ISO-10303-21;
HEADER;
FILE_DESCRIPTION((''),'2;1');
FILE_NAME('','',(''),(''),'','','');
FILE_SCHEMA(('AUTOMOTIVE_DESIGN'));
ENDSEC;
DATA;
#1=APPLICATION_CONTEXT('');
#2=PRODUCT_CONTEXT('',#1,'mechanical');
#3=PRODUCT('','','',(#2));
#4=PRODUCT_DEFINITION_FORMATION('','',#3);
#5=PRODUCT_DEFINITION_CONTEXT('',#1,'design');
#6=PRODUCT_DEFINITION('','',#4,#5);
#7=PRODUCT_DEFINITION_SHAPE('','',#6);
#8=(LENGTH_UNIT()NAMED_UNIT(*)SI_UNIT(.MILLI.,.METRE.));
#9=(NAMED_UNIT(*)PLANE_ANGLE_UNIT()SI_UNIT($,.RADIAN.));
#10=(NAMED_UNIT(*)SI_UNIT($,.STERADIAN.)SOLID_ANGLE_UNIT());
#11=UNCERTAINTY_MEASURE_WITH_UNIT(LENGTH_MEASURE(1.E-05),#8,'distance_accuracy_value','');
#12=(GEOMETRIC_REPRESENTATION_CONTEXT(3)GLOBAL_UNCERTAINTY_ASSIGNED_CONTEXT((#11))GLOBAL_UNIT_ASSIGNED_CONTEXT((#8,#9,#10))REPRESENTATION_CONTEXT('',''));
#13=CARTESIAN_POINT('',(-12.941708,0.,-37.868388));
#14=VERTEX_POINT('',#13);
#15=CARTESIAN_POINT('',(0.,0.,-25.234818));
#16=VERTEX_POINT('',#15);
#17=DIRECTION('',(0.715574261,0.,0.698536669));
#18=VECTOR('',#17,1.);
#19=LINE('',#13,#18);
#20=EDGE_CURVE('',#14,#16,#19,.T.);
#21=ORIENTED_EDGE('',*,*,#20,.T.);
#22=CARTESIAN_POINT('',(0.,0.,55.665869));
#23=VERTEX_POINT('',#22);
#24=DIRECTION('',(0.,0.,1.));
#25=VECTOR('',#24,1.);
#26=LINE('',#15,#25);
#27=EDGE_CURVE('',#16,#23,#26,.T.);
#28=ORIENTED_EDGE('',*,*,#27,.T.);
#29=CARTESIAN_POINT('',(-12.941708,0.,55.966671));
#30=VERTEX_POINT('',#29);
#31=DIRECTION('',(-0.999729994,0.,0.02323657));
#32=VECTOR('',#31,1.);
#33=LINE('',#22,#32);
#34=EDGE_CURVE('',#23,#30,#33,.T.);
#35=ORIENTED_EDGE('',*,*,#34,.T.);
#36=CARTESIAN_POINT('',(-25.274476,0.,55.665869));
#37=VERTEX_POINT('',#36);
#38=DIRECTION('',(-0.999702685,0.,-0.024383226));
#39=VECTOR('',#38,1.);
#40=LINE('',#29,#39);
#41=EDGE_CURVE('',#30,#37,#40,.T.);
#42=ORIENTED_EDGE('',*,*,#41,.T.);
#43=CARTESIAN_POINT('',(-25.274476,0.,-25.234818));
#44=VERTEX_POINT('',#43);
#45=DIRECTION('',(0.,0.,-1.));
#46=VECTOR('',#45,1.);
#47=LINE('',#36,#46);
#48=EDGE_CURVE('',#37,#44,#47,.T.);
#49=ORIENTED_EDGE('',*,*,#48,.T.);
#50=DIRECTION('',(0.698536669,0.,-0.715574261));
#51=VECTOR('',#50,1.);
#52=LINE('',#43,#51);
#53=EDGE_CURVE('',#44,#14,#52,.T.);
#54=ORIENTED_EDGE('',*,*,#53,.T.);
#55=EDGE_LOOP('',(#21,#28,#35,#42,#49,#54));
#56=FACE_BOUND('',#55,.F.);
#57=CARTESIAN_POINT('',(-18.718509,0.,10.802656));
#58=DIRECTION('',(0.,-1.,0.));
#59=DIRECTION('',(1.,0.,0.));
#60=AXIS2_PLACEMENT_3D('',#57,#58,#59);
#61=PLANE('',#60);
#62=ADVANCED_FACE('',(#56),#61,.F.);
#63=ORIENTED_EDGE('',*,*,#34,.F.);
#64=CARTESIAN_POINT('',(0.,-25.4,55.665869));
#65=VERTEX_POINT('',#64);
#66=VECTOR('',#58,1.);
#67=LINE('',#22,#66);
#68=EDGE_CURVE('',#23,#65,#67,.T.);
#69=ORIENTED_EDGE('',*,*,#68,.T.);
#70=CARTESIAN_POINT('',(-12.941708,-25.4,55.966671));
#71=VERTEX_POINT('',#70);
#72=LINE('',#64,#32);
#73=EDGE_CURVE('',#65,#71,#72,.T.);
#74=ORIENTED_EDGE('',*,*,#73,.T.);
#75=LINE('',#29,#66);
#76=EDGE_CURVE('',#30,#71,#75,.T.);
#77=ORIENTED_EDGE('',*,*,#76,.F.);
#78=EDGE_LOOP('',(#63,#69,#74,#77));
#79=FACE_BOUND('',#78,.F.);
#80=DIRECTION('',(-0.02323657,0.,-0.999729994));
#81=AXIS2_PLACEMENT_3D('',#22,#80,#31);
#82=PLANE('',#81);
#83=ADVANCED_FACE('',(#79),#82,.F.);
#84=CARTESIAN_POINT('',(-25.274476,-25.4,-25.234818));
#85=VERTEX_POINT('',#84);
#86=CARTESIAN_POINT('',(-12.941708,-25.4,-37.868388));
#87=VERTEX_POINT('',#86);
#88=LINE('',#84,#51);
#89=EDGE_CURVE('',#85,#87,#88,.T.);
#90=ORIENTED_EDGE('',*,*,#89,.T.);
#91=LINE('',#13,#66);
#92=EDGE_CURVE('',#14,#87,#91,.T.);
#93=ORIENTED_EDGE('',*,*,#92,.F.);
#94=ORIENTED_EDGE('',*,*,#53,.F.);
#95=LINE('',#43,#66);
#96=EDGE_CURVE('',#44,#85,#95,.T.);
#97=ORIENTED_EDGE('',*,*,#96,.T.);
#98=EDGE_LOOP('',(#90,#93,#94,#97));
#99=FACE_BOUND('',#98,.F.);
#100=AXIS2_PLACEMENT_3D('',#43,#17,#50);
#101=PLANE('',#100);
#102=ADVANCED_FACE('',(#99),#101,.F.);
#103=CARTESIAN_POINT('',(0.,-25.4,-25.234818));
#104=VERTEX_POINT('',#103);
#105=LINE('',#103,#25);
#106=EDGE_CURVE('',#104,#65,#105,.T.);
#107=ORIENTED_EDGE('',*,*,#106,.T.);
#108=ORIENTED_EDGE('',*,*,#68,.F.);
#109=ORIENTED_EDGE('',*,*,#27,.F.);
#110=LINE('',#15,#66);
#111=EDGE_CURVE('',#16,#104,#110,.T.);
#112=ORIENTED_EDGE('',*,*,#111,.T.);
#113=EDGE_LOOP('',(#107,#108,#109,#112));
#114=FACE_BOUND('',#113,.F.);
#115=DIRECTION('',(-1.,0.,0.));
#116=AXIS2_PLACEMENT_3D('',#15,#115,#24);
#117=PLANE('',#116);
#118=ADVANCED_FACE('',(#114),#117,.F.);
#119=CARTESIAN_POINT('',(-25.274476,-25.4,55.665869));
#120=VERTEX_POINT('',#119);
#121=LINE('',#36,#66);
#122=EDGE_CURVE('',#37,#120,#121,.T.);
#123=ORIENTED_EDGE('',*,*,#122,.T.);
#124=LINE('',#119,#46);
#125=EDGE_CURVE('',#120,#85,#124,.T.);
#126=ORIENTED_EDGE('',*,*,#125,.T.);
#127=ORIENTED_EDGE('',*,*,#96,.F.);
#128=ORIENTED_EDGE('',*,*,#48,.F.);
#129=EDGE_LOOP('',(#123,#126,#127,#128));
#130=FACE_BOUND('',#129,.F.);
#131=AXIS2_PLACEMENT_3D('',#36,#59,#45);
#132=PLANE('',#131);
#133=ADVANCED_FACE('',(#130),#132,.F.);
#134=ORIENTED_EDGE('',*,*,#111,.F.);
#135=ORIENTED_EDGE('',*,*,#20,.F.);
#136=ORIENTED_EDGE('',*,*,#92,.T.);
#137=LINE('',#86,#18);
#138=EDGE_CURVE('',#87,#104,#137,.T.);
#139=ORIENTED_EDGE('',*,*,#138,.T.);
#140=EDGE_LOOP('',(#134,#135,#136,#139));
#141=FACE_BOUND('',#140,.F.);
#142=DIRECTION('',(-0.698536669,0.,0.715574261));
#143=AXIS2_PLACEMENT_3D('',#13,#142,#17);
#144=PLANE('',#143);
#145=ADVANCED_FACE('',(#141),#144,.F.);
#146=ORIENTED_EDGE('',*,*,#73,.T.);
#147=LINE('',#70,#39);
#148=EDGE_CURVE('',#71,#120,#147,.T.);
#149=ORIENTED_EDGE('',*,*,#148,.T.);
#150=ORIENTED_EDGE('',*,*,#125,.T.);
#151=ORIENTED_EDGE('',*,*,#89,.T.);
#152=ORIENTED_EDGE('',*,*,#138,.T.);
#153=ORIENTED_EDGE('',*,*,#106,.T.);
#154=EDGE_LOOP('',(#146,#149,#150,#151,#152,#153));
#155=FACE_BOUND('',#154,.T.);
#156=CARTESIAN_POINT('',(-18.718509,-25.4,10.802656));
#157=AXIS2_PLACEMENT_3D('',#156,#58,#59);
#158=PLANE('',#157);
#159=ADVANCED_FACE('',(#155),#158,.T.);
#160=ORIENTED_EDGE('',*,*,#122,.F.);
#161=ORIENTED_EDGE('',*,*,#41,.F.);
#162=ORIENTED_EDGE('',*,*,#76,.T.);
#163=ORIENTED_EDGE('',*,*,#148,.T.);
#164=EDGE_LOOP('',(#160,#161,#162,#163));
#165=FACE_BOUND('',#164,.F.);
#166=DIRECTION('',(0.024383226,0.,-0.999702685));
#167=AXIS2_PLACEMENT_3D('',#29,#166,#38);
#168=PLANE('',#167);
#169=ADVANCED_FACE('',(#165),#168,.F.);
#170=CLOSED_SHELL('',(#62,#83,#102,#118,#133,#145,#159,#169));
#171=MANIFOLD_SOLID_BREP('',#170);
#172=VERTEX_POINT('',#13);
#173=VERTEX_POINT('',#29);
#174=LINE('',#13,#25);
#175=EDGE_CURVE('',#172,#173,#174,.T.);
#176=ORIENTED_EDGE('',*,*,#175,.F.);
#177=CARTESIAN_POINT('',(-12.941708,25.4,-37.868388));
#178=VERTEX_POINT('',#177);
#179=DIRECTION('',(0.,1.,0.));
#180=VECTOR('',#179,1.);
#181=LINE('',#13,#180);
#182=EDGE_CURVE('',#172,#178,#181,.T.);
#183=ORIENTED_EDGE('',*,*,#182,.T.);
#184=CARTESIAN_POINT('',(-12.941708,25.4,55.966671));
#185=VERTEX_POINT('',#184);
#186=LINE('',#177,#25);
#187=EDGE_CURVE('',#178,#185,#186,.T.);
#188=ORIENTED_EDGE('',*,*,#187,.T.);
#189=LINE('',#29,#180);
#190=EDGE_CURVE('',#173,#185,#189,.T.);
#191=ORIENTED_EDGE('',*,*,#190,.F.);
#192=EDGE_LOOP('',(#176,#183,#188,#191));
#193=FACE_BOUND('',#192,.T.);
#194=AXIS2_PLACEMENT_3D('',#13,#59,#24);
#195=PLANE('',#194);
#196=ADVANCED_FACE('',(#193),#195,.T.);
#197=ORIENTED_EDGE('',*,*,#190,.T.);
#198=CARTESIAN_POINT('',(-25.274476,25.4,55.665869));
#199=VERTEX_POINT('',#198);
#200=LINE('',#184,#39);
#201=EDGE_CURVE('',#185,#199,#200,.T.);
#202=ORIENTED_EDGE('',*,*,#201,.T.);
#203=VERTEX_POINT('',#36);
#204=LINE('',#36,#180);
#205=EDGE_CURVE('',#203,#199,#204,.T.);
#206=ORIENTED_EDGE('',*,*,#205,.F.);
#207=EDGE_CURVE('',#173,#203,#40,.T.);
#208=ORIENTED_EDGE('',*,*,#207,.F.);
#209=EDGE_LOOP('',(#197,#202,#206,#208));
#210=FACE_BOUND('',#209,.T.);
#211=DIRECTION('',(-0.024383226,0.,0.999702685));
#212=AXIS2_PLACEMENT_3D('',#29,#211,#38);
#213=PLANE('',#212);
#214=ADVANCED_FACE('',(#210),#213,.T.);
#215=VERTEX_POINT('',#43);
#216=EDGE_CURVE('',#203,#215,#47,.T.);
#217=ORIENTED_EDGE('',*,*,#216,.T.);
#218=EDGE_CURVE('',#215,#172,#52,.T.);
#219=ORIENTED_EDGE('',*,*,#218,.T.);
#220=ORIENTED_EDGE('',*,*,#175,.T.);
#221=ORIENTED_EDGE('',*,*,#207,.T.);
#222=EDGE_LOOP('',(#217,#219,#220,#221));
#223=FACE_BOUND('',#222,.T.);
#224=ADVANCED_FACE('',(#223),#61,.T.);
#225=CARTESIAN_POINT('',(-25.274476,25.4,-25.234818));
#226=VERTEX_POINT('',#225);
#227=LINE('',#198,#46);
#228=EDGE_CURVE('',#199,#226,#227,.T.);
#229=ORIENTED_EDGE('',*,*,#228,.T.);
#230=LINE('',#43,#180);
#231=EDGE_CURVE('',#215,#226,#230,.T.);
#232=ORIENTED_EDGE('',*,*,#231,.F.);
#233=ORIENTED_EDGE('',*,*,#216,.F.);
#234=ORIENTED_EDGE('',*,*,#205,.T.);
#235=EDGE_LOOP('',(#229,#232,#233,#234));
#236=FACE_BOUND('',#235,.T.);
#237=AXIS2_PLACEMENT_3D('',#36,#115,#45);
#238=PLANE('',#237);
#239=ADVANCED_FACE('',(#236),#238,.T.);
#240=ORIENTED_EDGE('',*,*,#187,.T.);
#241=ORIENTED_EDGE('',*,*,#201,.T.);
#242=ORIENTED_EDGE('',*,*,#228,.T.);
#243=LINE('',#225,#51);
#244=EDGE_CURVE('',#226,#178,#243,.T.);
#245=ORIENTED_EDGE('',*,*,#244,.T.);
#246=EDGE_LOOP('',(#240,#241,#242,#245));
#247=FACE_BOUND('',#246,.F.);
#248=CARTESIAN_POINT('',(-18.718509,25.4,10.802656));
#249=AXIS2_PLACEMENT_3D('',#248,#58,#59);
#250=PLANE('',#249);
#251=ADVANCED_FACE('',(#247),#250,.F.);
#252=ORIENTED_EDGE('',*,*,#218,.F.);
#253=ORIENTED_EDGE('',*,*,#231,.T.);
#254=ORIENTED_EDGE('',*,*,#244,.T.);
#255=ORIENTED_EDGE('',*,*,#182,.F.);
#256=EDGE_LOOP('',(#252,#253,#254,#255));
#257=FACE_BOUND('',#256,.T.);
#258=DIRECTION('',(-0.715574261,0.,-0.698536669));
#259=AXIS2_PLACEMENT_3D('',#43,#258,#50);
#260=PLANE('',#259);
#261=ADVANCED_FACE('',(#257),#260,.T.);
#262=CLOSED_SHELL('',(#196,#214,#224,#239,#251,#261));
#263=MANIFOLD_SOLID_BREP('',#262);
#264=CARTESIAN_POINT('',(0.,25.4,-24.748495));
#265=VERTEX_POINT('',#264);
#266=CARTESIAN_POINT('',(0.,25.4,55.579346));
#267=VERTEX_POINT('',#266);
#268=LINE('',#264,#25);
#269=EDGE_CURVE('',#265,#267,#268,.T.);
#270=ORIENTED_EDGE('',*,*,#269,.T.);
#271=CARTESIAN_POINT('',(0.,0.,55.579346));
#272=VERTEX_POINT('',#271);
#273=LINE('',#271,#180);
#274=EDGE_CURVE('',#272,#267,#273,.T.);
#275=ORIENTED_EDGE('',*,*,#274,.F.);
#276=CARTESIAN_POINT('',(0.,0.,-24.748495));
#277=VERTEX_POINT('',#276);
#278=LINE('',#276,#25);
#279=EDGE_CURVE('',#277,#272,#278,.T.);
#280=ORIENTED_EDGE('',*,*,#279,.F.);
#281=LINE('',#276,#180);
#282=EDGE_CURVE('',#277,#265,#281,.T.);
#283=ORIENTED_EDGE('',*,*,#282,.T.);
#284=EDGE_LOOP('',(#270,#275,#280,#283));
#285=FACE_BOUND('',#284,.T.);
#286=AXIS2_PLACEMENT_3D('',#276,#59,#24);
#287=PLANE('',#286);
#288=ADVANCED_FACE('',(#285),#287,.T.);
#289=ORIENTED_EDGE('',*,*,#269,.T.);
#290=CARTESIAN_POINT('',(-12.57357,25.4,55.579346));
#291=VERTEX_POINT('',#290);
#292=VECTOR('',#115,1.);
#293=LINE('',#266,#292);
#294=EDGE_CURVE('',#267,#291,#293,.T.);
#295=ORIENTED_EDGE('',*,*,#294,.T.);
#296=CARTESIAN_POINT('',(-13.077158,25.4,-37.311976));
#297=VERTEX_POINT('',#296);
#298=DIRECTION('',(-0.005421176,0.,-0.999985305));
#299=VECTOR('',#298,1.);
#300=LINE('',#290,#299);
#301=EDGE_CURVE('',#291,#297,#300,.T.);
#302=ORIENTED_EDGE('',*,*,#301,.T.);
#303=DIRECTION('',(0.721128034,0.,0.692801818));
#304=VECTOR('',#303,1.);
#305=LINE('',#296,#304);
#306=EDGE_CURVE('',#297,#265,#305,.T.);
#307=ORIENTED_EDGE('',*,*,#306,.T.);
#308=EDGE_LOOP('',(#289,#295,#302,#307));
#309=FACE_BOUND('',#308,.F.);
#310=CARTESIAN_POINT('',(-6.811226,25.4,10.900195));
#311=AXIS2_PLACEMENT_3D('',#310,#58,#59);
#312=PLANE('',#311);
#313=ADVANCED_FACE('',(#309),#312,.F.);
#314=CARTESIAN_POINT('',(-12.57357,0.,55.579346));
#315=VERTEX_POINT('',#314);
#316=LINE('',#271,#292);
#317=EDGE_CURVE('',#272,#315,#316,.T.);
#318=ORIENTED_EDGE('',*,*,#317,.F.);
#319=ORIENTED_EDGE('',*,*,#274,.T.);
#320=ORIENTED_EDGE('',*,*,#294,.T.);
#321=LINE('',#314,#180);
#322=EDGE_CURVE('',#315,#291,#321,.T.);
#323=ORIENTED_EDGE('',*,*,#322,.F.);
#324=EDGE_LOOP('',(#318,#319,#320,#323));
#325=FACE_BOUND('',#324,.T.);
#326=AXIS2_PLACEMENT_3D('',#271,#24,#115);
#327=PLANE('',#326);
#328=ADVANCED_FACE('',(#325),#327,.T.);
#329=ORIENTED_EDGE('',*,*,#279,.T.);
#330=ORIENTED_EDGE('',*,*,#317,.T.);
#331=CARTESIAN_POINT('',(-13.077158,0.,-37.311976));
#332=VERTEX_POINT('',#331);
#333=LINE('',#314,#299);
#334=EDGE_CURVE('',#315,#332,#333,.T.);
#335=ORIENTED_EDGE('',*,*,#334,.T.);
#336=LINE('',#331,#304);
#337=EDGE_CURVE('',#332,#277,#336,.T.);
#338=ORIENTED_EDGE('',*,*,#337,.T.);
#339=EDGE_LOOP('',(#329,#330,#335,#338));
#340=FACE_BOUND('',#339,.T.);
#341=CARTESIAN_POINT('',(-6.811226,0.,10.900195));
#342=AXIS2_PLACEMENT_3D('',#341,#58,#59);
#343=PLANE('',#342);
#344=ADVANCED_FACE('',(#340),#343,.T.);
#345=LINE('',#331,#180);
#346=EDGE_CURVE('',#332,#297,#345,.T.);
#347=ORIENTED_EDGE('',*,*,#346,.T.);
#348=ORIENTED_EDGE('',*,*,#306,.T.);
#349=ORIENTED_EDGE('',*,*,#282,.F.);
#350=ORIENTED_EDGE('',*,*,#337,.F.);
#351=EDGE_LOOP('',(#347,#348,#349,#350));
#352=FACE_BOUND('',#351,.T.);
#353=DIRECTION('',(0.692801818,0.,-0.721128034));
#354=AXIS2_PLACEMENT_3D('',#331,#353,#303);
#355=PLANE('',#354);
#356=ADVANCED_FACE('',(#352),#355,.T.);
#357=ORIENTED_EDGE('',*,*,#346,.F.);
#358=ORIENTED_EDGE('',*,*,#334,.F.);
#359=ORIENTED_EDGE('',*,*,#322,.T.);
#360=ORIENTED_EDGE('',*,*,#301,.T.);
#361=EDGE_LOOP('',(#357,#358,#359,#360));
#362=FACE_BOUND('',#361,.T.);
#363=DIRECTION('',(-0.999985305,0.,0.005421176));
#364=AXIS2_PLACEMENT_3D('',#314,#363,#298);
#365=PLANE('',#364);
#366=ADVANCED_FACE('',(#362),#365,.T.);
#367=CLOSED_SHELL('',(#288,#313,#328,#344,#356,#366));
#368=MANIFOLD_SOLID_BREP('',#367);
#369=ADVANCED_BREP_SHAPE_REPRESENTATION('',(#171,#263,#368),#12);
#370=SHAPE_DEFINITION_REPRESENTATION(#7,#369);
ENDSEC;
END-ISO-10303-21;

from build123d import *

# Parameters (mm, degrees)
F1_DEPTH = 25.4
F3_DEPTH = 25.4


with BuildPart() as f1:
    # F0 (on Front) → F1 (new body)
    with BuildSketch(Plane.XZ):
        Polygon((-12.9417075639, 55.9666713831), (-25.2744760364, 55.6658692658), (-25.2744760364, -25.2348184586), (-12.9417075639, -37.8683881451), align=None)
        Polygon((0, 55.6658692658), (-12.9417075639, 55.9666713831), (-12.9417075639, -37.8683881451), (0, -25.2348184586), align=None)
    extrude(amount=F1_DEPTH)


with BuildPart() as f3:
    # F0 (on Front) → F3 (new body)
    with BuildSketch(Plane.XZ):
        Polygon((-12.9417075639, 55.9666713831), (-25.2744760364, 55.6658692658), (-25.2744760364, -25.2348184586), (-12.9417075639, -37.8683881451), align=None)
    extrude(amount=-F3_DEPTH)


with BuildPart() as f3b:
    # F2 (on Front) → F3, piece 2 (new body)
    with BuildSketch(Plane.XZ):
        Polygon((0, -24.7484948486), (0, 55.5793456733), (-12.573570013, 55.5793456733), (-13.0771576072, -37.3119761499), align=None)
    extrude(amount=-F3_DEPTH)


solid = Compound([f1.part, f3.part, f3b.part])
